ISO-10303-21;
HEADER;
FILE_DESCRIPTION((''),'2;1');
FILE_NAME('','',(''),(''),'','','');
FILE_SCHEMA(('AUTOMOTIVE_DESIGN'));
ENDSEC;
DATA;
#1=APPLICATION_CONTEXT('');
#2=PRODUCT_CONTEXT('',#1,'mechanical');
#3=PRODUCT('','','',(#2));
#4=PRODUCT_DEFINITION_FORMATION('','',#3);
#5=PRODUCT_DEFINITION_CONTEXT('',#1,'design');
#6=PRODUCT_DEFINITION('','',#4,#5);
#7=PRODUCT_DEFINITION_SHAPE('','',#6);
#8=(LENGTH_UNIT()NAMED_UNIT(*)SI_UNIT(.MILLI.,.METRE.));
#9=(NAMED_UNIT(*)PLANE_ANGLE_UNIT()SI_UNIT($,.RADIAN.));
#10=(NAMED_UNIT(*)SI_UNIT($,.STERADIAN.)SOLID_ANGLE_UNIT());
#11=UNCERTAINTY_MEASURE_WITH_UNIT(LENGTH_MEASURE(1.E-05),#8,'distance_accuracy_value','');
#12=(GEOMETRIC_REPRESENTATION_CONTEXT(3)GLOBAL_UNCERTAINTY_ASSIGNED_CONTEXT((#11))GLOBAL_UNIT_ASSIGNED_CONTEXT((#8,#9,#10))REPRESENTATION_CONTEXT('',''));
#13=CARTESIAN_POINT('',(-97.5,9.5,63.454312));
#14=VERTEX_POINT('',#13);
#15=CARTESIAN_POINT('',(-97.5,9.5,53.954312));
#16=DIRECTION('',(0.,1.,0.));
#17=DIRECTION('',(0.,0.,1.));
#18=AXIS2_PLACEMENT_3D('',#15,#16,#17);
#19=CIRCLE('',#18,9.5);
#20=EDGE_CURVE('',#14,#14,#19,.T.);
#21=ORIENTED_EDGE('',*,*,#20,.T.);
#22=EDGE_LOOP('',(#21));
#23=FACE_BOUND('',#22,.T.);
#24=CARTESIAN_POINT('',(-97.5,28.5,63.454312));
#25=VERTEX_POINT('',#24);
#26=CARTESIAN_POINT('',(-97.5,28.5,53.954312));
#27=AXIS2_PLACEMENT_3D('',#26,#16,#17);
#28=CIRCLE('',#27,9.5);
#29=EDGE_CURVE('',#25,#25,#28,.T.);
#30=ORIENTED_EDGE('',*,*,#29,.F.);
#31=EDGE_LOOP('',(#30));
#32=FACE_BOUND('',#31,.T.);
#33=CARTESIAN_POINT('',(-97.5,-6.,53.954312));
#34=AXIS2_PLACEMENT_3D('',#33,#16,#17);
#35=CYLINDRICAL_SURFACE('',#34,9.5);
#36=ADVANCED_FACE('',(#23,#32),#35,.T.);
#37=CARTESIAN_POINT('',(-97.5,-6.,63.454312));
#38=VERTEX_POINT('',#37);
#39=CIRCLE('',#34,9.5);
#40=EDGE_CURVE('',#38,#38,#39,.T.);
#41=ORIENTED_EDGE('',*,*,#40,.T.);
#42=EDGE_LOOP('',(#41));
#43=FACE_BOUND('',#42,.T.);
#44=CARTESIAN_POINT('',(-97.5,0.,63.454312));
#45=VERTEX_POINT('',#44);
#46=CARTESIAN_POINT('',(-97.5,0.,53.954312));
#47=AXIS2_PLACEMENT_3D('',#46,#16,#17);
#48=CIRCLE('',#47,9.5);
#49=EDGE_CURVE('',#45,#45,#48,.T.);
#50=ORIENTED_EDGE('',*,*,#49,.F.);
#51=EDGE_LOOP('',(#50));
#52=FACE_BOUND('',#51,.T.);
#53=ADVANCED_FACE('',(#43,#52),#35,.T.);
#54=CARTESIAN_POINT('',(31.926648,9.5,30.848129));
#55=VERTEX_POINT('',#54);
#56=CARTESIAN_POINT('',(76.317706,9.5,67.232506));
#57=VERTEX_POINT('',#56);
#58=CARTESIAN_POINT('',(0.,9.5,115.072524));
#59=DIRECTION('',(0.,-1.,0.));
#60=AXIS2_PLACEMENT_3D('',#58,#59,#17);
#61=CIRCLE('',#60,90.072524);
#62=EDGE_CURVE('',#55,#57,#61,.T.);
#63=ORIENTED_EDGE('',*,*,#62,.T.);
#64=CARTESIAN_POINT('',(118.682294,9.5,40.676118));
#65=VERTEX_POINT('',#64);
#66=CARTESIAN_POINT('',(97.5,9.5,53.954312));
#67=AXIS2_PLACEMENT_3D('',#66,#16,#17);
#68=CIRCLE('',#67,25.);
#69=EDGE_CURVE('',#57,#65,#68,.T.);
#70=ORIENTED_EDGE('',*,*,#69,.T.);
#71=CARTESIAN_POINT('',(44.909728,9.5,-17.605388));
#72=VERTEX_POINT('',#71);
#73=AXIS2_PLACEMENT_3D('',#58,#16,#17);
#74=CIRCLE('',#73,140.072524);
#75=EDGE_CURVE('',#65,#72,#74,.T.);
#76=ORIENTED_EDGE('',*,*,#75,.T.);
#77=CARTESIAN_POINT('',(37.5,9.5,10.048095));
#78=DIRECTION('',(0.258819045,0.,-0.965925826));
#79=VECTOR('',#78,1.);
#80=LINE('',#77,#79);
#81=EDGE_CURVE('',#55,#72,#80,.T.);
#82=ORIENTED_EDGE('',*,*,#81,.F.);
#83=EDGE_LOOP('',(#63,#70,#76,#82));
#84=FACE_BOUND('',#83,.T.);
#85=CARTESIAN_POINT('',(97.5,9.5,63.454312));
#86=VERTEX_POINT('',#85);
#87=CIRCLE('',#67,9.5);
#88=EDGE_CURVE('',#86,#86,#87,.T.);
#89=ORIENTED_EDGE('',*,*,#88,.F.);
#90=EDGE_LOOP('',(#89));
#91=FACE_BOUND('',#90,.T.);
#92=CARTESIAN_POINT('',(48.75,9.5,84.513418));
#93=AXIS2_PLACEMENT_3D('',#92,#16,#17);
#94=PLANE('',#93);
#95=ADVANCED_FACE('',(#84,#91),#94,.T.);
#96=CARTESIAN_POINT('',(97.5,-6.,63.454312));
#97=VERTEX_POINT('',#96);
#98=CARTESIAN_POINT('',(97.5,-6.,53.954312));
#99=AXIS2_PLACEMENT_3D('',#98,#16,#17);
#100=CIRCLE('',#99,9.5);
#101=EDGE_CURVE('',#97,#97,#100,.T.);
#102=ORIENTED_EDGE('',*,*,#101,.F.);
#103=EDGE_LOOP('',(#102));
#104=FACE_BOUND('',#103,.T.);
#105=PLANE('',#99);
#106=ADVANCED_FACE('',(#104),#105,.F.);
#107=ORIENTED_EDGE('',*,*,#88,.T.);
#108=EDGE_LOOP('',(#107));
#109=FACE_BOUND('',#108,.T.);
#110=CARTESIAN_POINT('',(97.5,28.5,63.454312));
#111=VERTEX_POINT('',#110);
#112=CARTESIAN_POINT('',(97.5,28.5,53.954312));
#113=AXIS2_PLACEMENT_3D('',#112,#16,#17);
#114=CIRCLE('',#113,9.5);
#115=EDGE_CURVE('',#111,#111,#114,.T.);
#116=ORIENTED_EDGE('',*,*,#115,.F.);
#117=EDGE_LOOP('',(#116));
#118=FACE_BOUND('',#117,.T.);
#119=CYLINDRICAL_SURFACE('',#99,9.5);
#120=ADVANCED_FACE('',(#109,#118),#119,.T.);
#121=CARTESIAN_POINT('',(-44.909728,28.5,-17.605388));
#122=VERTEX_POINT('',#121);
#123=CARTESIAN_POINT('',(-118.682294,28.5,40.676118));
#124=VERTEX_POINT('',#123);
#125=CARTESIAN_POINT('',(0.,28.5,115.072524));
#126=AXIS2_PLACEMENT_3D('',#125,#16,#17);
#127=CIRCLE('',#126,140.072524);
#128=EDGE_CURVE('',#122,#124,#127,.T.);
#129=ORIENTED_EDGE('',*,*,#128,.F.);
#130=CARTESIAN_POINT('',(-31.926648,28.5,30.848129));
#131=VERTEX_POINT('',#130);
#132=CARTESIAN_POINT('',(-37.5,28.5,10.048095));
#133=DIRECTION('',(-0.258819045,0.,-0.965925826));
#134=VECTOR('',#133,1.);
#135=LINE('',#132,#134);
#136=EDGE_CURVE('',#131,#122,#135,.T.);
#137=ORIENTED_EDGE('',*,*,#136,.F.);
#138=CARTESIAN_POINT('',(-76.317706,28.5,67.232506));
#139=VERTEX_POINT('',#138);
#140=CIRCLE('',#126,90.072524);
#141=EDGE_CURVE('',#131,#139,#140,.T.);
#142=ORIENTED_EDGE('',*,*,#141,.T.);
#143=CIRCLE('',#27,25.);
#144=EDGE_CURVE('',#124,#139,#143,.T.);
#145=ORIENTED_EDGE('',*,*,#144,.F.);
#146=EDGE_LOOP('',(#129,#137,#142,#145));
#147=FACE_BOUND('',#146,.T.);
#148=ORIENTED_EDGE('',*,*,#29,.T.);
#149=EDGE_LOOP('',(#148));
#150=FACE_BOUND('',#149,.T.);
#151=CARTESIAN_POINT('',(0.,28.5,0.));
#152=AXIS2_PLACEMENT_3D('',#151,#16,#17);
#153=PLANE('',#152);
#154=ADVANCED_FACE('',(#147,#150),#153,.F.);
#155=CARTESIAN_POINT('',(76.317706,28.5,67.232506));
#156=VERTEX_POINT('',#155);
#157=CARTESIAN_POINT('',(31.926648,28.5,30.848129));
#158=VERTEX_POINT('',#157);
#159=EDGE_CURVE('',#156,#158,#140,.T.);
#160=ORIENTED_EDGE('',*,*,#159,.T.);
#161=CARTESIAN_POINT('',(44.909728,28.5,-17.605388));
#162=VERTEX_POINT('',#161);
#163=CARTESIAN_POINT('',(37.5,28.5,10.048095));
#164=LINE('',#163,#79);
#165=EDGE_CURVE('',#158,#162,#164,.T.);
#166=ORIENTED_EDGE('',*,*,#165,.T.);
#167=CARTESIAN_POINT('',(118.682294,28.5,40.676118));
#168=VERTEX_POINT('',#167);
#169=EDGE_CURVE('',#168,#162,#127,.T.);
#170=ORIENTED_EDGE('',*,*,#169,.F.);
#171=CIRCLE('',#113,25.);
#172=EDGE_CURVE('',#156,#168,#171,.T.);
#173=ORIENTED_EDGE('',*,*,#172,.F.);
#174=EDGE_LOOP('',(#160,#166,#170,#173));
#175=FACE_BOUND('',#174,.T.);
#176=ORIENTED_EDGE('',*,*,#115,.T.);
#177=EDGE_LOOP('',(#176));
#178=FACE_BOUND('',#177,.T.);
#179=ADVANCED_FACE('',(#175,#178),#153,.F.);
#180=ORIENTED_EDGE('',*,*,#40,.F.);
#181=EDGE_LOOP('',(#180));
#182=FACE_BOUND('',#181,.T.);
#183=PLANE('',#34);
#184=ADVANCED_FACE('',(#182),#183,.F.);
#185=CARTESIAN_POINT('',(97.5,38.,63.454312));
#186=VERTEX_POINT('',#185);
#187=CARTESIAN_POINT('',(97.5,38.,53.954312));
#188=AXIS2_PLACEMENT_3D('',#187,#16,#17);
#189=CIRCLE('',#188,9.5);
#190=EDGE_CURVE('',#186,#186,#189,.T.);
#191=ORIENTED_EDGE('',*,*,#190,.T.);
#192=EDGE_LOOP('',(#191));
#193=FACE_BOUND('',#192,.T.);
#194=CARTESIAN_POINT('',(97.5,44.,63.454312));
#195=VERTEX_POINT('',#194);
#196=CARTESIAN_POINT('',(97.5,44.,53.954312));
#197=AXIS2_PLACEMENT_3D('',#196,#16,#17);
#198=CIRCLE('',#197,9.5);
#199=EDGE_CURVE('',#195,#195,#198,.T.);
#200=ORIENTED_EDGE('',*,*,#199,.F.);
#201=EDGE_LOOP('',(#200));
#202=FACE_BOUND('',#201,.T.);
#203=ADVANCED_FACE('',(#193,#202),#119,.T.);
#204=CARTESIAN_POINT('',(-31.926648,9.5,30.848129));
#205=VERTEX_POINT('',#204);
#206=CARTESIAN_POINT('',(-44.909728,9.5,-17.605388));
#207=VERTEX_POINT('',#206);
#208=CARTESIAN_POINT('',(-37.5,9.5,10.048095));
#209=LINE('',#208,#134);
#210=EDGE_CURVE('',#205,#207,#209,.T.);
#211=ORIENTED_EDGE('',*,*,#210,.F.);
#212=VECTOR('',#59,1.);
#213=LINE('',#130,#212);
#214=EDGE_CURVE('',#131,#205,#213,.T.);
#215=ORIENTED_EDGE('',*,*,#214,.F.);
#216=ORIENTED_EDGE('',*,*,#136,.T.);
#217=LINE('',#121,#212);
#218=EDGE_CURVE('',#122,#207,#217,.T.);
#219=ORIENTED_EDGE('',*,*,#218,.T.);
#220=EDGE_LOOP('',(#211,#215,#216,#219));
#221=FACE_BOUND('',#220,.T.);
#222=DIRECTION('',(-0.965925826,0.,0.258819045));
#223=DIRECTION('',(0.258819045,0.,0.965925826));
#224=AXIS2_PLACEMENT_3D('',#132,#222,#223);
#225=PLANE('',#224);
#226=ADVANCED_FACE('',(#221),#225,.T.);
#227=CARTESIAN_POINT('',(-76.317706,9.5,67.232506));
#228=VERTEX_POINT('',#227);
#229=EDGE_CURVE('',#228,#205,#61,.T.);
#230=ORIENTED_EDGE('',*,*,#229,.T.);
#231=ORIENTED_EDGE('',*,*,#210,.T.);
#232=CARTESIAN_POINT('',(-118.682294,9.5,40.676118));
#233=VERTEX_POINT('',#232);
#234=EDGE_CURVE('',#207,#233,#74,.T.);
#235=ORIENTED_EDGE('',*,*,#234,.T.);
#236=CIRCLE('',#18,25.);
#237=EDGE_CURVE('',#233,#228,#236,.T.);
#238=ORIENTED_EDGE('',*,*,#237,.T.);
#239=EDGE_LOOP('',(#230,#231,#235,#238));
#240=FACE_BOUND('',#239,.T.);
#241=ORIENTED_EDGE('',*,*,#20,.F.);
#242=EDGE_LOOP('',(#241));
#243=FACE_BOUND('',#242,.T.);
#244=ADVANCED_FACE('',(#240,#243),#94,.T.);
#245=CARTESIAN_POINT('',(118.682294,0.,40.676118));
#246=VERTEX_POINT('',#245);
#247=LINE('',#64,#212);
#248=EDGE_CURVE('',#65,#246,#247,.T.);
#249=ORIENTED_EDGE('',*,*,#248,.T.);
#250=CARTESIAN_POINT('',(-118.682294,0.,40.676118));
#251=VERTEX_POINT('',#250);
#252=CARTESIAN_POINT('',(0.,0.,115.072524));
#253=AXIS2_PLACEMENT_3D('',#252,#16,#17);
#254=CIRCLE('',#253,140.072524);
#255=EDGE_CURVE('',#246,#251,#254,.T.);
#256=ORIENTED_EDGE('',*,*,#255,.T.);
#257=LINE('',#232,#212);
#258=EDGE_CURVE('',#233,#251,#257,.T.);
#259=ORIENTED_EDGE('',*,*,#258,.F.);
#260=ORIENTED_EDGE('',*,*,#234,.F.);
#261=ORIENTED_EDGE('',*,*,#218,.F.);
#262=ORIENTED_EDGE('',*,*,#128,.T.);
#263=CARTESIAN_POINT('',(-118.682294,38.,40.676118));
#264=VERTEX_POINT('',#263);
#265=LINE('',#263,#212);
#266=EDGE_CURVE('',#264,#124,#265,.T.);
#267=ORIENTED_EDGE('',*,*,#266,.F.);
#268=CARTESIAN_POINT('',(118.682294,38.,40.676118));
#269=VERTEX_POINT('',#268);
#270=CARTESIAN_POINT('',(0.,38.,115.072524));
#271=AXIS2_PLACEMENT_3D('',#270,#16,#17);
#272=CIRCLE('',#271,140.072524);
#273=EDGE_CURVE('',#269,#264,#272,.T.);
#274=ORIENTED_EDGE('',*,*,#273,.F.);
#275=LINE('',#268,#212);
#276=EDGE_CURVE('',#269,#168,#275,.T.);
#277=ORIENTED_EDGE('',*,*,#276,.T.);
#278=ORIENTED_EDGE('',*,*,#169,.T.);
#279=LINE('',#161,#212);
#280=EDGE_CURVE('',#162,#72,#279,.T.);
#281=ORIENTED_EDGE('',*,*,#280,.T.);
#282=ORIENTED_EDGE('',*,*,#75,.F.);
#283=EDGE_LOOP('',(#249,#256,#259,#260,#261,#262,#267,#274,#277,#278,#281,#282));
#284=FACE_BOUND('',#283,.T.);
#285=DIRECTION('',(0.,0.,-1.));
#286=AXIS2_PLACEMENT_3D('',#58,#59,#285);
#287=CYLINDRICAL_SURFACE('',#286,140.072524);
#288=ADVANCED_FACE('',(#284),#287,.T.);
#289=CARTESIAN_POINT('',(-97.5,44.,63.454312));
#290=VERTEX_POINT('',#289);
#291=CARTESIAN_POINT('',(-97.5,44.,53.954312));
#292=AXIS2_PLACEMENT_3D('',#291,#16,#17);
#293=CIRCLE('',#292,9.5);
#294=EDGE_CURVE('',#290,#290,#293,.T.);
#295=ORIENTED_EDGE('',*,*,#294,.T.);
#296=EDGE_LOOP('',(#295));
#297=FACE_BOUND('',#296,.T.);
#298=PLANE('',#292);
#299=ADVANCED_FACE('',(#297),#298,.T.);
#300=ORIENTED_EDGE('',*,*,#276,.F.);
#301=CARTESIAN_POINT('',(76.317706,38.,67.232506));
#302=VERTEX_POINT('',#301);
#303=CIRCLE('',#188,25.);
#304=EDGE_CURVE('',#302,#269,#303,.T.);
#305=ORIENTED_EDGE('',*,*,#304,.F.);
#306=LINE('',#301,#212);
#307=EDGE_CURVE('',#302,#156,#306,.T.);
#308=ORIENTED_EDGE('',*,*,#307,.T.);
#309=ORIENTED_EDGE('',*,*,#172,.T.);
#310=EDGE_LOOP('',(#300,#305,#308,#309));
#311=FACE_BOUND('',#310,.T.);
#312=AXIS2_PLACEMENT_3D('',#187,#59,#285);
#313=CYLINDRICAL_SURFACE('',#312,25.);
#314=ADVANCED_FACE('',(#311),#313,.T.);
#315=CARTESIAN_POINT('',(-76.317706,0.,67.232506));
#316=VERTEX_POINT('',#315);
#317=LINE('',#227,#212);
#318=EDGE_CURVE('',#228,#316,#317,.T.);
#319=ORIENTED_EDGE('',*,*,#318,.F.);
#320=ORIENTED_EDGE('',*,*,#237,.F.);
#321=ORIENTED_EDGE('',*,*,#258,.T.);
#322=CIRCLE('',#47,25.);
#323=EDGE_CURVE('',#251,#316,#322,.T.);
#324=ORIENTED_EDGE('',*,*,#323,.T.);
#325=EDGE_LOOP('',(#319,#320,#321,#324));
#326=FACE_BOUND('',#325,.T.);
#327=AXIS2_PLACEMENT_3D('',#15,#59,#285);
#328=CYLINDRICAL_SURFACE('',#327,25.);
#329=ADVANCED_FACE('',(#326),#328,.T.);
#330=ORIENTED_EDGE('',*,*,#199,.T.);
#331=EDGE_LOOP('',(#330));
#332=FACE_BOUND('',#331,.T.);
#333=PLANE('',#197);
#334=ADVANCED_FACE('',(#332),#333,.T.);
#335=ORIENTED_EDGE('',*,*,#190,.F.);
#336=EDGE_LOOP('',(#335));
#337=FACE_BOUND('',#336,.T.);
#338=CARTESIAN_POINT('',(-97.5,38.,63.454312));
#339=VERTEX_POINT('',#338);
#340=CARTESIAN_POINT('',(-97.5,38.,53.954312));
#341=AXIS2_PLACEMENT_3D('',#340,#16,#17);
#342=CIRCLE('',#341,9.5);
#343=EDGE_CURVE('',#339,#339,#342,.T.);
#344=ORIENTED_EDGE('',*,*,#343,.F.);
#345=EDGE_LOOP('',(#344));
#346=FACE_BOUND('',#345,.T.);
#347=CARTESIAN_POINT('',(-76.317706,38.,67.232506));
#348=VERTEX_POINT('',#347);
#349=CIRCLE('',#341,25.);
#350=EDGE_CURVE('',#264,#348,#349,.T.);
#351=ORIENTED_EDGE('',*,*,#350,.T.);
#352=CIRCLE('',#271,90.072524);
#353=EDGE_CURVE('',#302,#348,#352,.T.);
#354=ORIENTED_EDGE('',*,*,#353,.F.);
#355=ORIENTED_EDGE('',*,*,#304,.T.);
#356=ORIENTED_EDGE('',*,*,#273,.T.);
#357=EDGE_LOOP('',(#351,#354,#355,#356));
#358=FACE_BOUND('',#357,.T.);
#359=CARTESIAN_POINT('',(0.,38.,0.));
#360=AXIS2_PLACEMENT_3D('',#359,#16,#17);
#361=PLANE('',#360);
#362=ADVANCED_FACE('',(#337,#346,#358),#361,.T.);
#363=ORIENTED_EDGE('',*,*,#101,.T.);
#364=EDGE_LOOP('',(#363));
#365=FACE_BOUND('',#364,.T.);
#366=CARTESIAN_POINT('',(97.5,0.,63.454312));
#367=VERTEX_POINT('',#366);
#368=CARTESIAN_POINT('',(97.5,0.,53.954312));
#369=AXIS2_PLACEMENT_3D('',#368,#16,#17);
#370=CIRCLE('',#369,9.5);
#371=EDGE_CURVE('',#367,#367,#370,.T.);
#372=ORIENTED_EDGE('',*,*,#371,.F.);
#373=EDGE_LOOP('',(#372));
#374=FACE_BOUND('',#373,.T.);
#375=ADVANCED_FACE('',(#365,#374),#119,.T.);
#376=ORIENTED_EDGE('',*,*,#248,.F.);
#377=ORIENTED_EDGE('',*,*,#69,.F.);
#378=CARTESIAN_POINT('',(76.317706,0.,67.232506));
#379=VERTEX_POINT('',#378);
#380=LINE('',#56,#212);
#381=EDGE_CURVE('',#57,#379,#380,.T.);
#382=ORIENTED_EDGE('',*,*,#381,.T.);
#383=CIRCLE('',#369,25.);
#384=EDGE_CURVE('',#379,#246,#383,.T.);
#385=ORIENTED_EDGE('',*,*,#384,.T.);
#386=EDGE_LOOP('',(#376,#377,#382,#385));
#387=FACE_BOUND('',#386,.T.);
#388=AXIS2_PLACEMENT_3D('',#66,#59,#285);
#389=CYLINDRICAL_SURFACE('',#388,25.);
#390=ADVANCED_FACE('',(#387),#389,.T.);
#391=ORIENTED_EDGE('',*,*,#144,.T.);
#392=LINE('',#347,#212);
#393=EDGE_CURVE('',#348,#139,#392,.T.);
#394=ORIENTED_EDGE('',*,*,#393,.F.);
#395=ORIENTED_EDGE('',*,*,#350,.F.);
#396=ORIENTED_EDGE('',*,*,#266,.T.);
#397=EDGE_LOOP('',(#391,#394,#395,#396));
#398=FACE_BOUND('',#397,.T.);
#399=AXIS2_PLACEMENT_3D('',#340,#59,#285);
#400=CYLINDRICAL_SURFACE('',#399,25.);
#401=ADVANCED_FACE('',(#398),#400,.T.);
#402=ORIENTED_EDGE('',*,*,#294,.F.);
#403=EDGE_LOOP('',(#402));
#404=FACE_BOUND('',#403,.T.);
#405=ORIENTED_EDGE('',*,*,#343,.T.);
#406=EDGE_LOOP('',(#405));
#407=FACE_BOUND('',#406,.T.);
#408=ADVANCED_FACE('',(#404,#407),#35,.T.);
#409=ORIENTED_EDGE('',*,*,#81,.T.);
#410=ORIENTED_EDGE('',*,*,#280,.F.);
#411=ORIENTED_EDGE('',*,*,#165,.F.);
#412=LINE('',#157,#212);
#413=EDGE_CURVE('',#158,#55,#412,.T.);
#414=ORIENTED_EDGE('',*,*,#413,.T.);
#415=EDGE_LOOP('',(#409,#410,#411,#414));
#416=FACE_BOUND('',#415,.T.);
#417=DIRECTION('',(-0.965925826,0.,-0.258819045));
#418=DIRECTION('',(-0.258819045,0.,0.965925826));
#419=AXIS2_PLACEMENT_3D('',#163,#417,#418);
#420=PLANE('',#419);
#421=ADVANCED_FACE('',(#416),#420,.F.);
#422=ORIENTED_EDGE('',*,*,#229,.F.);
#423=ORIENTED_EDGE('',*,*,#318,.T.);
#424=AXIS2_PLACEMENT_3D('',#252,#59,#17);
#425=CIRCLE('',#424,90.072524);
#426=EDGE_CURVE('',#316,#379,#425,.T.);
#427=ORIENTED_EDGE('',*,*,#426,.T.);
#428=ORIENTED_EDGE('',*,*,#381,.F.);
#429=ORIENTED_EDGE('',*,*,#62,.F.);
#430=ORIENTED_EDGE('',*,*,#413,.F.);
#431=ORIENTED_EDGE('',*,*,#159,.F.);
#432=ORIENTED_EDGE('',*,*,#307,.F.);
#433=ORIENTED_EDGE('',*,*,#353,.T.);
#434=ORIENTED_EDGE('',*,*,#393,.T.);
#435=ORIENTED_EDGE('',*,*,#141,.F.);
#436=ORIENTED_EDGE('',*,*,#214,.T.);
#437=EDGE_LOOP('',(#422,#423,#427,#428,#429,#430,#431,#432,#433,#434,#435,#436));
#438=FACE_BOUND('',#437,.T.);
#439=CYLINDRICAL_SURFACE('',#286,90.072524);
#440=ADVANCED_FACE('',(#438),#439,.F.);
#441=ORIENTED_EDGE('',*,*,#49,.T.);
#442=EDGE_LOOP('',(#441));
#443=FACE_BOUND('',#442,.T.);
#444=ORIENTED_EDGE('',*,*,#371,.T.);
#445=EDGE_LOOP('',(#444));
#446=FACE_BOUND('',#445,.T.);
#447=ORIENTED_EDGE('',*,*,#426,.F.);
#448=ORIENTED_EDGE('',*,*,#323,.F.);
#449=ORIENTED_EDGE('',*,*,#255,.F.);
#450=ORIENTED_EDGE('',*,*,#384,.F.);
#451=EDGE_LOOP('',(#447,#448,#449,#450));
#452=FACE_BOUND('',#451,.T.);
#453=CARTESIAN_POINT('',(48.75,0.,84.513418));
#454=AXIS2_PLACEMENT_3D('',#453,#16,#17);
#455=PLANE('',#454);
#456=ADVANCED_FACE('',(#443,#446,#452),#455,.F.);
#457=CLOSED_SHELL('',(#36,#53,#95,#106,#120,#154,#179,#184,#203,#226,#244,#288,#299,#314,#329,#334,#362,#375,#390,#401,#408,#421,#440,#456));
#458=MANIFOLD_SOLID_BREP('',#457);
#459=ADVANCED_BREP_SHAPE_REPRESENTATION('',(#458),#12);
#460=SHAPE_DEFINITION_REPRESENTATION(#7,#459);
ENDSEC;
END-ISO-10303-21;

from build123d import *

# Parameters (mm, degrees)
BOSS_EXTRUDE1_DEPTH = 9.5
BOSS_EXTRUDE2_DEPTH = 19
BOSS_EXTRUDE3_DEPTH = 9.5
SKETCH4_R           = 9.5
CUT_EXTRUDE1_DEPTH  = 151.612195549
BOSS_EXTRUDE4_START = 6
SKETCH4_2_R         = 9.5
BOSS_EXTRUDE4_DEPTH = 50


with BuildPart() as part:
    # Sketch1 → Boss-Extrude1 (new body)
    with BuildSketch(Plane(origin=(0, 0, 0), x_dir=(1, 0, 0), z_dir=(0, 1, 0))):
        with BuildLine():
            ThreePointArc((118.682293684, -40.676118471), (0, 25), (-118.682293684, -40.676118471))
            ThreePointArc((-118.682293684, -40.676118471), (-110.778193938, -75.136606094), (-76.317706316, -67.232506348))
            ThreePointArc((-76.317706316, -67.232506348), (0, -25), (76.317706316, -67.232506348))
            ThreePointArc((76.317706316, -67.232506348), (110.778193938, -75.136606094), (118.682293684, -40.676118471))
        make_face()
    extrude(amount=BOSS_EXTRUDE1_DEPTH)

    # Sketch2 → Boss-Extrude2 (add)
    with BuildSketch(Plane(origin=(0, 9.5, 0), x_dir=(1, 0, 0), z_dir=(0, 1, 0))):
        with BuildLine():
            ThreePointArc((-31.926647669, -30.848128785), (0, -25), (31.926647669, -30.848128785))
            Line((31.926647669, -30.848128785), (44.909728312, 17.605387816))
            ThreePointArc((44.909728312, 17.605387816), (0, 25), (-44.909728312, 17.605387816))
            Line((-44.909728312, 17.605387816), (-31.926647669, -30.848128785))
        make_face()
    extrude(amount=BOSS_EXTRUDE2_DEPTH)

    # Sketch3 → Boss-Extrude3 (add)
    with BuildSketch(Plane(origin=(0, 28.5, 0), x_dir=(1, 0, 0), z_dir=(0, 1, 0))):
        with BuildLine():
            ThreePointArc((76.317706316, -67.232506348), (110.778193938, -75.136606094), (118.682293684, -40.676118471))
            ThreePointArc((118.682293684, -40.676118471), (0, 25), (-118.682293684, -40.676118471))
            ThreePointArc((-118.682293684, -40.676118471), (-110.778193938, -75.136606094), (-76.317706316, -67.232506348))
            ThreePointArc((-76.317706316, -67.232506348), (0, -25), (76.317706316, -67.232506348))
        make_face()
    extrude(amount=BOSS_EXTRUDE3_DEPTH)

    # Sketch4 → Cut-Extrude1 (cut, through all)
    with BuildSketch(Plane(origin=(0, 38, 0), x_dir=(1, 0, 0), z_dir=(0, 1, 0))):
        with Locations((-97.5, -53.95431241)):
            Circle(SKETCH4_R)
        with Locations((97.5, -53.95431241)):
            Circle(SKETCH4_R)
    extrude(amount=-CUT_EXTRUDE1_DEPTH, mode=Mode.SUBTRACT)

    # Sketch4<2> → Boss-Extrude4 (add)
    with BuildSketch(Plane(origin=(0, 38, 0), x_dir=(1, 0, 0), z_dir=(0, 1, 0)).offset(BOSS_EXTRUDE4_START)):
        with Locations((-97.5, -53.95431241)):
            Circle(SKETCH4_2_R)
        with Locations((97.5, -53.95431241)):
            Circle(SKETCH4_2_R)
    extrude(amount=-BOSS_EXTRUDE4_DEPTH)


solid = part.part
